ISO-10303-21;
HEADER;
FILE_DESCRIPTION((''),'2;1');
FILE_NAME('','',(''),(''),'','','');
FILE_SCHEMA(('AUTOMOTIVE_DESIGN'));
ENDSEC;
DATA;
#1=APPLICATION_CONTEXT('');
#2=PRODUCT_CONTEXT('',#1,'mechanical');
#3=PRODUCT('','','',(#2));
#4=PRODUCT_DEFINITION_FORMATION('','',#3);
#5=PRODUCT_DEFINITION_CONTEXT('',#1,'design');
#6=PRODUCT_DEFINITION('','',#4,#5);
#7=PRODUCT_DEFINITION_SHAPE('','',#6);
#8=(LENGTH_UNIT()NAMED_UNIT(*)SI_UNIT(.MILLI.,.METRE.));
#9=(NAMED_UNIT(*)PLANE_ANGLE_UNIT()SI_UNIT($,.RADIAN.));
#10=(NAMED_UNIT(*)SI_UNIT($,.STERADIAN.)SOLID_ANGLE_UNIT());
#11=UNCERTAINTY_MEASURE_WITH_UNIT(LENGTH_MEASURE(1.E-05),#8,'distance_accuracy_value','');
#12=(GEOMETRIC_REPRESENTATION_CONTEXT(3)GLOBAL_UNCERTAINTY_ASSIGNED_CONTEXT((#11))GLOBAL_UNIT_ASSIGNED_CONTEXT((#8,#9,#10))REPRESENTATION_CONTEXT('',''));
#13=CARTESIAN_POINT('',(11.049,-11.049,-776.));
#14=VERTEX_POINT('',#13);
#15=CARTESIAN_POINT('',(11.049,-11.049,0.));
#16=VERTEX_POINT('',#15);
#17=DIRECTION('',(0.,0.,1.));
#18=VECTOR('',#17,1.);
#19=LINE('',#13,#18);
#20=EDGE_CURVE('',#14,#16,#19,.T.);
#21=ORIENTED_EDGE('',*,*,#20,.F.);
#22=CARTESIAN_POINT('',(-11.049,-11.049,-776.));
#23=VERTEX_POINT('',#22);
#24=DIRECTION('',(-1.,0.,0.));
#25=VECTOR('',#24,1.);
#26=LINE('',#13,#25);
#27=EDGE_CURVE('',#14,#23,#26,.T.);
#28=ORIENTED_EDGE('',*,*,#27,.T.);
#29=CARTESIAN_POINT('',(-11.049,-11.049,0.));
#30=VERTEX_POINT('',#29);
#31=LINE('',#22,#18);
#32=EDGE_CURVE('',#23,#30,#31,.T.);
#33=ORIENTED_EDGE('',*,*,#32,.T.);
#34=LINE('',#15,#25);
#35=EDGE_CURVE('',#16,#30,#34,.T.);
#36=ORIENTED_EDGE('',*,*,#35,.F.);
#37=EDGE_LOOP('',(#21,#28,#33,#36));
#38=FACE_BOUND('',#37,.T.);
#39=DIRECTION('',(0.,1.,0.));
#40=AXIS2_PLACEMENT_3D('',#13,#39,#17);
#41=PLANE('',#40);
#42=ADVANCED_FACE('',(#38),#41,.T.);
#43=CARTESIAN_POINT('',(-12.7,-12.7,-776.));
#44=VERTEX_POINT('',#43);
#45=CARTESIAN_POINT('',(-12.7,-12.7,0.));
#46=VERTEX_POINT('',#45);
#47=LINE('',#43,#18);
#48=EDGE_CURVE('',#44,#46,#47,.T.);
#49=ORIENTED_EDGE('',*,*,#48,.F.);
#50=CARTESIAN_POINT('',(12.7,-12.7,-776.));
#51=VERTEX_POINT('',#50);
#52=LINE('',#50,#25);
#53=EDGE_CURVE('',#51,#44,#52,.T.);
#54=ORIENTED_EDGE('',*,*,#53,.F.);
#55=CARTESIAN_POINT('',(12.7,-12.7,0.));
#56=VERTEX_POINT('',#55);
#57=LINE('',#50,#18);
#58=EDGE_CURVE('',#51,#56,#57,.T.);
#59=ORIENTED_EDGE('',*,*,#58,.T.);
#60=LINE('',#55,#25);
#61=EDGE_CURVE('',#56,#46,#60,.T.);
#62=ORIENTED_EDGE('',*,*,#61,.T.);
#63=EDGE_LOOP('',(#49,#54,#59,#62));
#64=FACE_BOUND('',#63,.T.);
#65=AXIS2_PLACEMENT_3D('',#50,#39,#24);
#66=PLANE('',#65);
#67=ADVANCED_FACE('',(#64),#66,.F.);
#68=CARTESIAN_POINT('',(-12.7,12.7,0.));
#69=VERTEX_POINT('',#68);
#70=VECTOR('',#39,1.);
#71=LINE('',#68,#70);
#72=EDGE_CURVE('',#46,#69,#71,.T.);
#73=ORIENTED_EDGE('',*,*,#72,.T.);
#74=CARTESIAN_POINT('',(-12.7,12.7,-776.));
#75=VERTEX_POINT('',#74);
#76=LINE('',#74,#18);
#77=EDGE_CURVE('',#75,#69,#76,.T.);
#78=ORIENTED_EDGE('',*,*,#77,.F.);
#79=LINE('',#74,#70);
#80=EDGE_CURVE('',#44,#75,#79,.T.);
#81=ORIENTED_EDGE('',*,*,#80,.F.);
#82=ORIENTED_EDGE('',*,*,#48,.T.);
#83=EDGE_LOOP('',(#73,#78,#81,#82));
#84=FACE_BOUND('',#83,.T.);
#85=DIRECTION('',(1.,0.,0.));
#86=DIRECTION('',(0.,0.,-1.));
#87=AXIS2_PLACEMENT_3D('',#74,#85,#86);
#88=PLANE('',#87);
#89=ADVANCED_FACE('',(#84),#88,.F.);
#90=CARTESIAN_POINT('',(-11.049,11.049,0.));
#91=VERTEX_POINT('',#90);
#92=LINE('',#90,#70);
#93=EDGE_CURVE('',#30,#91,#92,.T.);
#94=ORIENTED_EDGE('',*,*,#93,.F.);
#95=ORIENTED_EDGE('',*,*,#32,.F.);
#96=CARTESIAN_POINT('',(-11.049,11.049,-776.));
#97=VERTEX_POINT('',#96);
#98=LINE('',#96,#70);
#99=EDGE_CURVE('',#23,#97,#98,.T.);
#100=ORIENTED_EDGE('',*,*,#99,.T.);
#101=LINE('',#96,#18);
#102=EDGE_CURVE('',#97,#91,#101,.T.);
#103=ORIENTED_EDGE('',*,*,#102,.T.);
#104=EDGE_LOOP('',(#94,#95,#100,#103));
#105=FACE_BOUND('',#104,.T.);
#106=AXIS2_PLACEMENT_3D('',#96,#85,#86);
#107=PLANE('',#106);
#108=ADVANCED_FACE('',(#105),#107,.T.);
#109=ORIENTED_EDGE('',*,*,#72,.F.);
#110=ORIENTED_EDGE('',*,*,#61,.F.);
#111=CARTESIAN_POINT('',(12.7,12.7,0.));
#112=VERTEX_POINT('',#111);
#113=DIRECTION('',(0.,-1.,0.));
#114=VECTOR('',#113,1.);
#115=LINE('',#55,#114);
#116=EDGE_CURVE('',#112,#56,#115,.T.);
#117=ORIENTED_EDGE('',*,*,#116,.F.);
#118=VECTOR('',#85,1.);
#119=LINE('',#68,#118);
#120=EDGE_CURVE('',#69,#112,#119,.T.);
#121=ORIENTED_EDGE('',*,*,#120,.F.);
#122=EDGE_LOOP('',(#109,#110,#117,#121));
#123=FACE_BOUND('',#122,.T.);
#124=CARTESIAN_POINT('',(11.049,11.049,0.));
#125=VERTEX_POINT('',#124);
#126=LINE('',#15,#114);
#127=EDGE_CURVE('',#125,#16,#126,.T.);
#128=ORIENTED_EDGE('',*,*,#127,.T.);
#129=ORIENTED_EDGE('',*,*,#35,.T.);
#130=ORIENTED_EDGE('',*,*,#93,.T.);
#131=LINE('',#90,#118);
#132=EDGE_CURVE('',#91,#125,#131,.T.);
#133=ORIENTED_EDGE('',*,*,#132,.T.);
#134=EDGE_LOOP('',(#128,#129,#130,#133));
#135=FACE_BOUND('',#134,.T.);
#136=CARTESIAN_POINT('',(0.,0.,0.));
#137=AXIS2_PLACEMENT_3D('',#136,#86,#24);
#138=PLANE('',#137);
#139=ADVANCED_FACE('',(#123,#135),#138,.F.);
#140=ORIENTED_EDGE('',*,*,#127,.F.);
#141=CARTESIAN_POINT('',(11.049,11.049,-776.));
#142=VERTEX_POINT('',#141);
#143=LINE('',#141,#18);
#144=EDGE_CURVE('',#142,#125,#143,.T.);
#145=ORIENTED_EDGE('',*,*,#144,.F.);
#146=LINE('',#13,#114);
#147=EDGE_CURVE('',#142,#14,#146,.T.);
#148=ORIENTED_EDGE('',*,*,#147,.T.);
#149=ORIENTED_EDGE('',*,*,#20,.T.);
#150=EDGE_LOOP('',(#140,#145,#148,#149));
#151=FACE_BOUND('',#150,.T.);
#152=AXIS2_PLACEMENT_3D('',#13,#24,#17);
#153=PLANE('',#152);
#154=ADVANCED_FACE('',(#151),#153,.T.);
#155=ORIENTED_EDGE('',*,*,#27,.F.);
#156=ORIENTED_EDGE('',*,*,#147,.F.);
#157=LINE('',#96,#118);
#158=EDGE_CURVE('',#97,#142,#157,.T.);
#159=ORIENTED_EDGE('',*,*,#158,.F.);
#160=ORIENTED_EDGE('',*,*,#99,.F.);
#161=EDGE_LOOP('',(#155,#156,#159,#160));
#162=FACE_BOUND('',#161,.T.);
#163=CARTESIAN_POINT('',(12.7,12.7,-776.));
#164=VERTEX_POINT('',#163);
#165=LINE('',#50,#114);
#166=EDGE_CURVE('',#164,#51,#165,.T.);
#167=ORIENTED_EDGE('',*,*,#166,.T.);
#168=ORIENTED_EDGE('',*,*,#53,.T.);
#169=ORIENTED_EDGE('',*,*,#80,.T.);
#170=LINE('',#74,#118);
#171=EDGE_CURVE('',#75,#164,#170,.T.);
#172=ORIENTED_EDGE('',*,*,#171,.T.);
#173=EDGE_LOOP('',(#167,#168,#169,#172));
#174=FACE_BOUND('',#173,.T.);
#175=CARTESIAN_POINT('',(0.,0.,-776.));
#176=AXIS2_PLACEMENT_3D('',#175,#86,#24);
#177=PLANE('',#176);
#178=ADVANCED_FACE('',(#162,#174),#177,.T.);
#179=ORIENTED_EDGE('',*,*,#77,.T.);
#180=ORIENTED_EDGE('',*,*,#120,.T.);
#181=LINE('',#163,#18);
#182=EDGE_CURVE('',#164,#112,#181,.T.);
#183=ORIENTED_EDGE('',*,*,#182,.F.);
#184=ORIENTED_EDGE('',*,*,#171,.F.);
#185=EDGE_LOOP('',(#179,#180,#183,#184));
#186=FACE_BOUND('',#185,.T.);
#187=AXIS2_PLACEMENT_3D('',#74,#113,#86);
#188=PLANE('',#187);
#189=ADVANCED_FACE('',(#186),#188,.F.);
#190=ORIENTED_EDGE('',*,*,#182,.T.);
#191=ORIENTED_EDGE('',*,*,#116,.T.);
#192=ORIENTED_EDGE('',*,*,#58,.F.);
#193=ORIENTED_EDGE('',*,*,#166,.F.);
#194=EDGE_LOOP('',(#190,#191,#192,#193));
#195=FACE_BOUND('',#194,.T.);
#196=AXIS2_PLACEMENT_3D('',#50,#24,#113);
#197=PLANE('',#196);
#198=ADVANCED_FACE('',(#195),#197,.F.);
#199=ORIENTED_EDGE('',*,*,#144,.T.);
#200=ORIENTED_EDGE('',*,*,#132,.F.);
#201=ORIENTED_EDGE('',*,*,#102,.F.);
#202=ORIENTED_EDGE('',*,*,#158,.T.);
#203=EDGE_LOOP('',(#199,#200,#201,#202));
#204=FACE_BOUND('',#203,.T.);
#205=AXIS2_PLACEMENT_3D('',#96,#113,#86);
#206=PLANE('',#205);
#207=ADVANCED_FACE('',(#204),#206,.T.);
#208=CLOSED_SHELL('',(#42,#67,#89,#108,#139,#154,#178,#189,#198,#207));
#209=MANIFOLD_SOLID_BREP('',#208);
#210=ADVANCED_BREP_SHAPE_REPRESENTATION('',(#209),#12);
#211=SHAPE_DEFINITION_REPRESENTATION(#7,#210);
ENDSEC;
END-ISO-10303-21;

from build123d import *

# Parameters (mm, degrees)
SKETCH1_W                                      = 25.4
SKETCH1_H                                      = 25.4
SKETCH1_W_2                                    = 22.098
SKETCH1_H_2                                    = 22.098
AL_TUBE_SQUARE_AL_TUBE_1_SQR_X_0_065_WAL_DEPTH = 776


with BuildPart() as part:
    # Sketch1 → Al tube square AL TUBE 1 SQR X 0.065 WALL(1) (new body)
    with BuildSketch(Plane(origin=(0, 0, 0), x_dir=(-1, 0, 0), z_dir=(0, 0, -1))):
        Rectangle(SKETCH1_W, SKETCH1_H)
        Rectangle(SKETCH1_W_2, SKETCH1_H_2, mode=Mode.SUBTRACT)
    extrude(amount=AL_TUBE_SQUARE_AL_TUBE_1_SQR_X_0_065_WAL_DEPTH)


solid = part.part
